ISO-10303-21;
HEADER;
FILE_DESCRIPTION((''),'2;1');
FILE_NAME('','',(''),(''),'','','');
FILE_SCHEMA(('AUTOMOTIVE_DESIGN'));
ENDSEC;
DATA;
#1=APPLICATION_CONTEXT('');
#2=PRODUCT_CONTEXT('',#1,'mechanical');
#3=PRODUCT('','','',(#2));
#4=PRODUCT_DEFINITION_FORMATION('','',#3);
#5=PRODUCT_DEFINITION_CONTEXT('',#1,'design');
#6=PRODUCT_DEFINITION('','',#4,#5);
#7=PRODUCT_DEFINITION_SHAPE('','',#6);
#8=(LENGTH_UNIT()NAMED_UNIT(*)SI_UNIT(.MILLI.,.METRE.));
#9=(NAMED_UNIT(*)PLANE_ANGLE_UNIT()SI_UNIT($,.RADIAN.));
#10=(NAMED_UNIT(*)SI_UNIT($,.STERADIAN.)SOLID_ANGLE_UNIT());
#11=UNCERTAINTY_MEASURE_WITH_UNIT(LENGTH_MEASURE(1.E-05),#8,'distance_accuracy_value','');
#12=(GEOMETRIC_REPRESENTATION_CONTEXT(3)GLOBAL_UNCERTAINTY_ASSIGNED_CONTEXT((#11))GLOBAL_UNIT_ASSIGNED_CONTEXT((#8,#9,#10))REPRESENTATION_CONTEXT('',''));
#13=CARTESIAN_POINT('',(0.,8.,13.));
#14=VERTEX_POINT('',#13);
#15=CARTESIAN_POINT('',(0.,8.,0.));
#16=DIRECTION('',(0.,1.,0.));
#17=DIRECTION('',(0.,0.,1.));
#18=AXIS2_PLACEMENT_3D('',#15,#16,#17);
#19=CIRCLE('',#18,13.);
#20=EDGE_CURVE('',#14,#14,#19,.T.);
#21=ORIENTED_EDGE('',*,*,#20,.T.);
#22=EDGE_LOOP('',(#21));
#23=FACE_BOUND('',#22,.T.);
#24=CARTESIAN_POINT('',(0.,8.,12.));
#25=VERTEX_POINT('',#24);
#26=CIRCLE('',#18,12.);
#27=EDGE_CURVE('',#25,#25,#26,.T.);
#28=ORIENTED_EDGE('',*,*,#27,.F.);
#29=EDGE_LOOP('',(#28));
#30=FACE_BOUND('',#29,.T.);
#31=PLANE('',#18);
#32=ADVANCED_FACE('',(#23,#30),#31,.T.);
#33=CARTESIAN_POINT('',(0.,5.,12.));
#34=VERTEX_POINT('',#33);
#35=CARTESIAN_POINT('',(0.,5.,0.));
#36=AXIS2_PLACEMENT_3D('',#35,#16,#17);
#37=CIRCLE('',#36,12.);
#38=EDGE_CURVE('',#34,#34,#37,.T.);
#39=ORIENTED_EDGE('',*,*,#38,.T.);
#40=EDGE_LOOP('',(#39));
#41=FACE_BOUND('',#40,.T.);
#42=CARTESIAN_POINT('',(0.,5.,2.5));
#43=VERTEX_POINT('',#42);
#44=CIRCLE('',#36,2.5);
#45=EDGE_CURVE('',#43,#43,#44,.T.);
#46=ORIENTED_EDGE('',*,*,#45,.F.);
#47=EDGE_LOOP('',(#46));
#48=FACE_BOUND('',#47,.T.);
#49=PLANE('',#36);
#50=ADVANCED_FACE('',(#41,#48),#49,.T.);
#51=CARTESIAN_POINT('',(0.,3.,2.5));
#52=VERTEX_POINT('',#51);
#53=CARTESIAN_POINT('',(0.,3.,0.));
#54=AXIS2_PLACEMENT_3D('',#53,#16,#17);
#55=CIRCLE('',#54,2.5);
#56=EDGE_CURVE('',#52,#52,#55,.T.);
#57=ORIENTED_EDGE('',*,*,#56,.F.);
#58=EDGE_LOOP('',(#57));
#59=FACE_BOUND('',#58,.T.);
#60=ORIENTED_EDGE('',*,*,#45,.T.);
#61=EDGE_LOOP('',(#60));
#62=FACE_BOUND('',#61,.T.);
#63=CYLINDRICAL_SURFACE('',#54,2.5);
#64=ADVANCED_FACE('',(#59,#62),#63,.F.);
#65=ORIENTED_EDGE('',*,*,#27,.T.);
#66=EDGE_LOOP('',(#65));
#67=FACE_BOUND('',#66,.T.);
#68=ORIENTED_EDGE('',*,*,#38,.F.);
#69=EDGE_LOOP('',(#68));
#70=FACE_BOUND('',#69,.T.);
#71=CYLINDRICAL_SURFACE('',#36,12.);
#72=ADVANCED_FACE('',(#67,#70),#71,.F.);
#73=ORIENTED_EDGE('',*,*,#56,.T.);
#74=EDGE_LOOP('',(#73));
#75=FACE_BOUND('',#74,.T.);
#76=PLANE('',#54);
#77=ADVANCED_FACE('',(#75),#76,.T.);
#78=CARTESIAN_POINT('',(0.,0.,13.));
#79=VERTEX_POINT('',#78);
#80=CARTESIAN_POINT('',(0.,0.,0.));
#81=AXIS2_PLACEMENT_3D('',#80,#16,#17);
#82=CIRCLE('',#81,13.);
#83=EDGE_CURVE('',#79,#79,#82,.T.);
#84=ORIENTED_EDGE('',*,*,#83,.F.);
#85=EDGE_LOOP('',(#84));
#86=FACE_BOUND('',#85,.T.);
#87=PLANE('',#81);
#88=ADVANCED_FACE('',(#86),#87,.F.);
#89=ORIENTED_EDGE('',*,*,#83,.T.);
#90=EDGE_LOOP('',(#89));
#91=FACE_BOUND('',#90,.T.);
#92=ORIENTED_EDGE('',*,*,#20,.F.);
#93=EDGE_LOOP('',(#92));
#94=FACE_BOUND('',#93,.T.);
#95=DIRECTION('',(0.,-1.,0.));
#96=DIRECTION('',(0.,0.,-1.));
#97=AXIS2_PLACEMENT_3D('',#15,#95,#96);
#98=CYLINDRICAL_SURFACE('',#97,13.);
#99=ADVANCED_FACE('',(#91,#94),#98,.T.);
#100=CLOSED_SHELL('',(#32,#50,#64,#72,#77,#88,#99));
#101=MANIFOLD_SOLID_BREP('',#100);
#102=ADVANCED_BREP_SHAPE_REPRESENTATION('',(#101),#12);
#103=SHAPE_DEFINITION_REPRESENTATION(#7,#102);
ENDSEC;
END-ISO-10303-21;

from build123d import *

# Parameters (mm, degrees)
SKETCH_1_R          = 13
EXTRUDE_1_DEPTH     = 8
SKETCH_2_R          = 12
CUT_EXTRUDE_1_DEPTH = 3
SKETCH_3_R          = 2.5
CUT_EXTRUDE_2_DEPTH = 2


with BuildPart() as part:
    # 草图1 → 凸台-拉伸1 (new body)
    with BuildSketch(Plane(origin=(0, 0, 0), x_dir=(1, 0, 0), z_dir=(0, 1, 0))):
        with Locations(Location((0, 0, 0), (0, 0, 270))):
            Circle(SKETCH_1_R)
    extrude(amount=EXTRUDE_1_DEPTH)

    # 草图2 → 切除-拉伸1 (cut)
    with BuildSketch(Plane(origin=(0, 8, 0), x_dir=(1, 0, 0), z_dir=(0, 1, 0))):
        with Locations(Location((0, 0, 0), (0, 0, 270))):
            Circle(SKETCH_2_R)
    extrude(amount=-CUT_EXTRUDE_1_DEPTH, mode=Mode.SUBTRACT)

    # 草图3 → 切除-拉伸2 (cut)
    with BuildSketch(Plane(origin=(0, 5, 0), x_dir=(1, 0, 0), z_dir=(0, 1, 0))):
        with Locations(Location((0, 0, 0), (0, 0, 270))):
            Circle(SKETCH_3_R)
    extrude(amount=-CUT_EXTRUDE_2_DEPTH, mode=Mode.SUBTRACT)


solid = part.part
